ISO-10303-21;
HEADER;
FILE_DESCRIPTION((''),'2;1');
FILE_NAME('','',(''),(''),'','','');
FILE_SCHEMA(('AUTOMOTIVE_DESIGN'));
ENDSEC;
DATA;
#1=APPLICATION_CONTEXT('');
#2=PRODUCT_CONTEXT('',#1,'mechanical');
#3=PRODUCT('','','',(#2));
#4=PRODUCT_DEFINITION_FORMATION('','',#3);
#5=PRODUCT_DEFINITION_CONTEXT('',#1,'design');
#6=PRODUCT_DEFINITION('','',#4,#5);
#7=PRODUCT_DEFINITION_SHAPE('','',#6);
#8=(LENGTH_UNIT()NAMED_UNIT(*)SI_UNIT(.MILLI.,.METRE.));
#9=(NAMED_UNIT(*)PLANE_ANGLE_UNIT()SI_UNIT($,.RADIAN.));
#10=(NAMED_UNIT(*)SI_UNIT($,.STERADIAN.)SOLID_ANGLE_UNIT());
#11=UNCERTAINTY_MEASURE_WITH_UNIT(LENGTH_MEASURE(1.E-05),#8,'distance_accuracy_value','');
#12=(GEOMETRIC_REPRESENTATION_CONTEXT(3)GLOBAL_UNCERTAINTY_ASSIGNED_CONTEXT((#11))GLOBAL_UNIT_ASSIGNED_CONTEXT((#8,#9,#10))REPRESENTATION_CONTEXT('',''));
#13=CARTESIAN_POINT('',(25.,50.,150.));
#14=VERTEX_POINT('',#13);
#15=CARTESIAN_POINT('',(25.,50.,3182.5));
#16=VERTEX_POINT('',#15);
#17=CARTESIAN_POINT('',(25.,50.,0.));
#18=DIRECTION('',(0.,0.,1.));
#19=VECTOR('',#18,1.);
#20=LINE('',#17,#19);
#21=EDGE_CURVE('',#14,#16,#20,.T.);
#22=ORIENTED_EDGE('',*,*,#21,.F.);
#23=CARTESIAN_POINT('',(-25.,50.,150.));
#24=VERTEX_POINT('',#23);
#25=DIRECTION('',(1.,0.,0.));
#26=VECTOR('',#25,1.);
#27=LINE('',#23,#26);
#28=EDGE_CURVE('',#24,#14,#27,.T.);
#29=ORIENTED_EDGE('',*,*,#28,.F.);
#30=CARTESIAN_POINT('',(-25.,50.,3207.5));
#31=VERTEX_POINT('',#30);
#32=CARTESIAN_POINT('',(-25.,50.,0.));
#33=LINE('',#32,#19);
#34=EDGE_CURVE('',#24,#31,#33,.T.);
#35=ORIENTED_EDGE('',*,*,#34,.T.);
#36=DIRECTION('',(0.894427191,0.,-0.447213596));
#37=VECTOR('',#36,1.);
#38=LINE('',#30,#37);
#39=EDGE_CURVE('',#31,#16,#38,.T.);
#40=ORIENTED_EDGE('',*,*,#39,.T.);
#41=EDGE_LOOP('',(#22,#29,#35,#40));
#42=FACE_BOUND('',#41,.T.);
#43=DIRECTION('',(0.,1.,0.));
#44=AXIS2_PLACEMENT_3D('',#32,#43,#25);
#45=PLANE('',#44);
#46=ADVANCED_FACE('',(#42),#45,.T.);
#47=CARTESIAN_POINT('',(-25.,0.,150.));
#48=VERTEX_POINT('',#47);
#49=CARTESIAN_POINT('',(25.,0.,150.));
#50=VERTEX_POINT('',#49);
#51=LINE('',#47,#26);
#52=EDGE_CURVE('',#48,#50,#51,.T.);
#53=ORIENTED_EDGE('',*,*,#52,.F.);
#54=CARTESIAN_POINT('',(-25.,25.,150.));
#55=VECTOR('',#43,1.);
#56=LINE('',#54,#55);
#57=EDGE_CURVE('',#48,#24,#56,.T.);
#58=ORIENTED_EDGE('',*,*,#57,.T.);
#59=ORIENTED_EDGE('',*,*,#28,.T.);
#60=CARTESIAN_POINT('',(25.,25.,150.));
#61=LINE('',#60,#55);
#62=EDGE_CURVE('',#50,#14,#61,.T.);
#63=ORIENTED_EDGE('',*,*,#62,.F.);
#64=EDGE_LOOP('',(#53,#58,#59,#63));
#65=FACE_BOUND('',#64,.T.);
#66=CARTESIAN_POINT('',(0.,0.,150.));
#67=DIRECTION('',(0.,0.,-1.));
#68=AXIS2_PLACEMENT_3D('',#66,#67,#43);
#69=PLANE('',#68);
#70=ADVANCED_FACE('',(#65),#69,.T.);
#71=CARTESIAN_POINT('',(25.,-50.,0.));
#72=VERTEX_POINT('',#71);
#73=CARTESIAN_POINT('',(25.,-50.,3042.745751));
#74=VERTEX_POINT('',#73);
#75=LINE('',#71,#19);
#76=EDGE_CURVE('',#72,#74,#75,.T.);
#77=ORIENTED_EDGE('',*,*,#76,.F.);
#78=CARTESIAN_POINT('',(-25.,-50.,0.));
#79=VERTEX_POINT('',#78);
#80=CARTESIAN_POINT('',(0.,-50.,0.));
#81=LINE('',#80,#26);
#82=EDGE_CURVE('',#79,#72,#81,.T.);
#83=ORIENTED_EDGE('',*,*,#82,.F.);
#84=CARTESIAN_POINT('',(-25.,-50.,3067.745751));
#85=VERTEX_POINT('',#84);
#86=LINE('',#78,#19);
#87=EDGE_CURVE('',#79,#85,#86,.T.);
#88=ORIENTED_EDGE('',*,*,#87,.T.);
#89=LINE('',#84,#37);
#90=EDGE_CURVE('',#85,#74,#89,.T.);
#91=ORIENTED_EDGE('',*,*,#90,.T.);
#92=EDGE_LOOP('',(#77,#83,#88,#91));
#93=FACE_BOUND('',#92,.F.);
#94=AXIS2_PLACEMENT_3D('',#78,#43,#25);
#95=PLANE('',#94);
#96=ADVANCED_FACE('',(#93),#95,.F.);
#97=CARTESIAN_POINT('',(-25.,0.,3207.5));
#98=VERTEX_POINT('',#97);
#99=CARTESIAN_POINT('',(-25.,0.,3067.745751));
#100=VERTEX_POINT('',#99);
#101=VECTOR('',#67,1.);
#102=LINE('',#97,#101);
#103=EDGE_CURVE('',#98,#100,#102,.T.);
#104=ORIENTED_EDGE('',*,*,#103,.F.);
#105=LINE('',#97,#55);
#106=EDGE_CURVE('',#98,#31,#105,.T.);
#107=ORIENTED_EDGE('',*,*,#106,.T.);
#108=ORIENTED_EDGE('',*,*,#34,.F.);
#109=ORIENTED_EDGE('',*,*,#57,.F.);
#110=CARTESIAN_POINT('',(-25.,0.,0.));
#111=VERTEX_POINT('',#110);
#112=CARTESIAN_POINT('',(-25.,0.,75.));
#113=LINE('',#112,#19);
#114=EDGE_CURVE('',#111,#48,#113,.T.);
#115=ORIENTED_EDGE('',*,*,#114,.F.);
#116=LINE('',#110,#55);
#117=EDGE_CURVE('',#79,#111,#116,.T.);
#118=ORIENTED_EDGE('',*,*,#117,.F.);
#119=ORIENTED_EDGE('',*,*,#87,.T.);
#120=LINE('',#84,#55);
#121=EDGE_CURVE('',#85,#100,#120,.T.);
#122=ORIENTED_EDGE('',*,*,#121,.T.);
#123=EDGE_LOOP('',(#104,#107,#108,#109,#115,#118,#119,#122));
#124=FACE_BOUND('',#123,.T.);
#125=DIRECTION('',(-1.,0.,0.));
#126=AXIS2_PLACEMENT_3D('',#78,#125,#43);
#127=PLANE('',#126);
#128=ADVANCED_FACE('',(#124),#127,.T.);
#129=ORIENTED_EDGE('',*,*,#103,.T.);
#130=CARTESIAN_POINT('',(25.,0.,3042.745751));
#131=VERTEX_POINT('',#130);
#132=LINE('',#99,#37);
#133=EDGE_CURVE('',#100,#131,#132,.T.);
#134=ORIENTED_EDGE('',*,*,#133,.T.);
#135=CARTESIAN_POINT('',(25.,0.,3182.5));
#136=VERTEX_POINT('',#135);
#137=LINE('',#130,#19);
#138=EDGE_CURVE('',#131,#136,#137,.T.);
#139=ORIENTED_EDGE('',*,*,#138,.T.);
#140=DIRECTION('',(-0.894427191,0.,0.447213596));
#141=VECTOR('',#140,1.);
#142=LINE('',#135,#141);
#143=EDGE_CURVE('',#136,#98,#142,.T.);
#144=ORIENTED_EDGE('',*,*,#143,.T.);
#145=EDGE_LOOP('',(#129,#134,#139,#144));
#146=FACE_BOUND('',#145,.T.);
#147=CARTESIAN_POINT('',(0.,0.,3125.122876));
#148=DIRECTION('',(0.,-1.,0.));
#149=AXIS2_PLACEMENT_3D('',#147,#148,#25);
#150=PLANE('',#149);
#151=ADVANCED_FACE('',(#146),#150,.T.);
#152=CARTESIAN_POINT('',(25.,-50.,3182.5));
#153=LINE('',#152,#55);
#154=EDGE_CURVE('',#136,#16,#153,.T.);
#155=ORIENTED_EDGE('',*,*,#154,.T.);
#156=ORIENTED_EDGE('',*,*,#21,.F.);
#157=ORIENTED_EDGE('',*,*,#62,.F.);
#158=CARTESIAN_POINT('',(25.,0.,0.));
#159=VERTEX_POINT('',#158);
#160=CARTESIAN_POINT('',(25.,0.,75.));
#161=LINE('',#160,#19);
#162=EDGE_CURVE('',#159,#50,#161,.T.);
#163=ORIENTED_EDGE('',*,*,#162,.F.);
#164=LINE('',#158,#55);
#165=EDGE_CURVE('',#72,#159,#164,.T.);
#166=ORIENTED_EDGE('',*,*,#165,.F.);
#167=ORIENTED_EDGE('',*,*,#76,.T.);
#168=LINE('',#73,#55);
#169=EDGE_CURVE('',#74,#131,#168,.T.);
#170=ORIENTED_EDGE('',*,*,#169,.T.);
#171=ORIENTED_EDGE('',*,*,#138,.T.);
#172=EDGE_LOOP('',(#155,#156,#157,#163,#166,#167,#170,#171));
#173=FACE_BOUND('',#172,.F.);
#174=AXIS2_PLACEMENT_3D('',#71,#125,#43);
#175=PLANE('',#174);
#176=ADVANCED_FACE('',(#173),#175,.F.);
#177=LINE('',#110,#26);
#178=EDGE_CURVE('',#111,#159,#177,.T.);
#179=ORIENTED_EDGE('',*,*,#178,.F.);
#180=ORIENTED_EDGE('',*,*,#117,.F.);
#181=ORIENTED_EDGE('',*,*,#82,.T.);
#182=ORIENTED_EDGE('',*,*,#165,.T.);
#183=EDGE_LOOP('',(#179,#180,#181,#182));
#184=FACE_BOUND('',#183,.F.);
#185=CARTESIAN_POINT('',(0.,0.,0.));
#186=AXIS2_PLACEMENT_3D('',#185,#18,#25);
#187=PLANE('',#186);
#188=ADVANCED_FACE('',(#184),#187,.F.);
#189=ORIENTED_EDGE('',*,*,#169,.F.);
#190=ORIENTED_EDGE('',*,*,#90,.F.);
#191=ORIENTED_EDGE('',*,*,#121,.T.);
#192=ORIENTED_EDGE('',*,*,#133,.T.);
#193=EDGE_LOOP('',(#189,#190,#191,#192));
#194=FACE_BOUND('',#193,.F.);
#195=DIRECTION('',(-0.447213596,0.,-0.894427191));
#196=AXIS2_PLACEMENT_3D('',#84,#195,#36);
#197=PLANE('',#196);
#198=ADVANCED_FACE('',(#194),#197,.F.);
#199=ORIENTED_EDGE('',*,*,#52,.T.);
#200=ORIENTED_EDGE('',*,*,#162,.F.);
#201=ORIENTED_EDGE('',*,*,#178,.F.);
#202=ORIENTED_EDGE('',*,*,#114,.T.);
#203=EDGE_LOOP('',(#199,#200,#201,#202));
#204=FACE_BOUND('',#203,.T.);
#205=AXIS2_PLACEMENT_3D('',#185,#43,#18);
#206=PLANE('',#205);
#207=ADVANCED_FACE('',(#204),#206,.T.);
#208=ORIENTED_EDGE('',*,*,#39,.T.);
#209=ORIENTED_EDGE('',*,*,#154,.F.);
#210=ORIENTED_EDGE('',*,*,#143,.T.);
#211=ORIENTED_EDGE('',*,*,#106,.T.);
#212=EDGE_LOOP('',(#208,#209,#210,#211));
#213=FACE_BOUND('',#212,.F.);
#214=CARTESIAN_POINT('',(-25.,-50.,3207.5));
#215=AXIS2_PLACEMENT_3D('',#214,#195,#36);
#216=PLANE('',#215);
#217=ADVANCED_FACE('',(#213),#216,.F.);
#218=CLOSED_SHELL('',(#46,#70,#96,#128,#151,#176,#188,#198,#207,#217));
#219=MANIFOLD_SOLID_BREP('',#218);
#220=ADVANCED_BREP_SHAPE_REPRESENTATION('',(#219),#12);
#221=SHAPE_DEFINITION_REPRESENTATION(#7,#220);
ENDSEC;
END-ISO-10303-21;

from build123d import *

# Parameters (mm, degrees)
F0_W          = 50
F0_H          = 100
F1_DEPTH      = 3207.5
F2_W          = 50
F2_H          = 150
F3_DEPTH      = 25
F3_DEPTH_BACK = 25
F5_DEPTH      = 100
F7_DEPTH      = 50


with BuildPart() as f1:
    # F0 (on Top) → F1 (new body)
    with BuildSketch(Plane.XY):
        Rectangle(F0_W, F0_H)
    extrude(amount=F1_DEPTH)

    # F2 (on Right) → F3 (cut, two sides)
    with BuildSketch(Plane.YZ) as f3_sk:
        with Locations((25, 75)):
            Rectangle(F2_W, F2_H)
    extrude(amount=-F3_DEPTH, mode=Mode.SUBTRACT)
    extrude(f3_sk.sketch, amount=F3_DEPTH_BACK, mode=Mode.SUBTRACT)

    # F4 (on face) → F5 (cut, through all)
    with BuildSketch(Plane.XZ.offset(50)):
        Polygon((25, 3207.5), (-25, 3207.5), (25, 3182.5), align=None)
    extrude(amount=-F5_DEPTH, mode=Mode.SUBTRACT)

    # F6 (on face) → F7 (cut)
    with BuildSketch(Plane.XZ.offset(50)):
        Polygon((25, 3182.5), (-25, 3207.5), (-25, 3067.7457514063), (25, 3042.7457514063), align=None)
    extrude(amount=-F7_DEPTH, mode=Mode.SUBTRACT)


solid = f1.part
